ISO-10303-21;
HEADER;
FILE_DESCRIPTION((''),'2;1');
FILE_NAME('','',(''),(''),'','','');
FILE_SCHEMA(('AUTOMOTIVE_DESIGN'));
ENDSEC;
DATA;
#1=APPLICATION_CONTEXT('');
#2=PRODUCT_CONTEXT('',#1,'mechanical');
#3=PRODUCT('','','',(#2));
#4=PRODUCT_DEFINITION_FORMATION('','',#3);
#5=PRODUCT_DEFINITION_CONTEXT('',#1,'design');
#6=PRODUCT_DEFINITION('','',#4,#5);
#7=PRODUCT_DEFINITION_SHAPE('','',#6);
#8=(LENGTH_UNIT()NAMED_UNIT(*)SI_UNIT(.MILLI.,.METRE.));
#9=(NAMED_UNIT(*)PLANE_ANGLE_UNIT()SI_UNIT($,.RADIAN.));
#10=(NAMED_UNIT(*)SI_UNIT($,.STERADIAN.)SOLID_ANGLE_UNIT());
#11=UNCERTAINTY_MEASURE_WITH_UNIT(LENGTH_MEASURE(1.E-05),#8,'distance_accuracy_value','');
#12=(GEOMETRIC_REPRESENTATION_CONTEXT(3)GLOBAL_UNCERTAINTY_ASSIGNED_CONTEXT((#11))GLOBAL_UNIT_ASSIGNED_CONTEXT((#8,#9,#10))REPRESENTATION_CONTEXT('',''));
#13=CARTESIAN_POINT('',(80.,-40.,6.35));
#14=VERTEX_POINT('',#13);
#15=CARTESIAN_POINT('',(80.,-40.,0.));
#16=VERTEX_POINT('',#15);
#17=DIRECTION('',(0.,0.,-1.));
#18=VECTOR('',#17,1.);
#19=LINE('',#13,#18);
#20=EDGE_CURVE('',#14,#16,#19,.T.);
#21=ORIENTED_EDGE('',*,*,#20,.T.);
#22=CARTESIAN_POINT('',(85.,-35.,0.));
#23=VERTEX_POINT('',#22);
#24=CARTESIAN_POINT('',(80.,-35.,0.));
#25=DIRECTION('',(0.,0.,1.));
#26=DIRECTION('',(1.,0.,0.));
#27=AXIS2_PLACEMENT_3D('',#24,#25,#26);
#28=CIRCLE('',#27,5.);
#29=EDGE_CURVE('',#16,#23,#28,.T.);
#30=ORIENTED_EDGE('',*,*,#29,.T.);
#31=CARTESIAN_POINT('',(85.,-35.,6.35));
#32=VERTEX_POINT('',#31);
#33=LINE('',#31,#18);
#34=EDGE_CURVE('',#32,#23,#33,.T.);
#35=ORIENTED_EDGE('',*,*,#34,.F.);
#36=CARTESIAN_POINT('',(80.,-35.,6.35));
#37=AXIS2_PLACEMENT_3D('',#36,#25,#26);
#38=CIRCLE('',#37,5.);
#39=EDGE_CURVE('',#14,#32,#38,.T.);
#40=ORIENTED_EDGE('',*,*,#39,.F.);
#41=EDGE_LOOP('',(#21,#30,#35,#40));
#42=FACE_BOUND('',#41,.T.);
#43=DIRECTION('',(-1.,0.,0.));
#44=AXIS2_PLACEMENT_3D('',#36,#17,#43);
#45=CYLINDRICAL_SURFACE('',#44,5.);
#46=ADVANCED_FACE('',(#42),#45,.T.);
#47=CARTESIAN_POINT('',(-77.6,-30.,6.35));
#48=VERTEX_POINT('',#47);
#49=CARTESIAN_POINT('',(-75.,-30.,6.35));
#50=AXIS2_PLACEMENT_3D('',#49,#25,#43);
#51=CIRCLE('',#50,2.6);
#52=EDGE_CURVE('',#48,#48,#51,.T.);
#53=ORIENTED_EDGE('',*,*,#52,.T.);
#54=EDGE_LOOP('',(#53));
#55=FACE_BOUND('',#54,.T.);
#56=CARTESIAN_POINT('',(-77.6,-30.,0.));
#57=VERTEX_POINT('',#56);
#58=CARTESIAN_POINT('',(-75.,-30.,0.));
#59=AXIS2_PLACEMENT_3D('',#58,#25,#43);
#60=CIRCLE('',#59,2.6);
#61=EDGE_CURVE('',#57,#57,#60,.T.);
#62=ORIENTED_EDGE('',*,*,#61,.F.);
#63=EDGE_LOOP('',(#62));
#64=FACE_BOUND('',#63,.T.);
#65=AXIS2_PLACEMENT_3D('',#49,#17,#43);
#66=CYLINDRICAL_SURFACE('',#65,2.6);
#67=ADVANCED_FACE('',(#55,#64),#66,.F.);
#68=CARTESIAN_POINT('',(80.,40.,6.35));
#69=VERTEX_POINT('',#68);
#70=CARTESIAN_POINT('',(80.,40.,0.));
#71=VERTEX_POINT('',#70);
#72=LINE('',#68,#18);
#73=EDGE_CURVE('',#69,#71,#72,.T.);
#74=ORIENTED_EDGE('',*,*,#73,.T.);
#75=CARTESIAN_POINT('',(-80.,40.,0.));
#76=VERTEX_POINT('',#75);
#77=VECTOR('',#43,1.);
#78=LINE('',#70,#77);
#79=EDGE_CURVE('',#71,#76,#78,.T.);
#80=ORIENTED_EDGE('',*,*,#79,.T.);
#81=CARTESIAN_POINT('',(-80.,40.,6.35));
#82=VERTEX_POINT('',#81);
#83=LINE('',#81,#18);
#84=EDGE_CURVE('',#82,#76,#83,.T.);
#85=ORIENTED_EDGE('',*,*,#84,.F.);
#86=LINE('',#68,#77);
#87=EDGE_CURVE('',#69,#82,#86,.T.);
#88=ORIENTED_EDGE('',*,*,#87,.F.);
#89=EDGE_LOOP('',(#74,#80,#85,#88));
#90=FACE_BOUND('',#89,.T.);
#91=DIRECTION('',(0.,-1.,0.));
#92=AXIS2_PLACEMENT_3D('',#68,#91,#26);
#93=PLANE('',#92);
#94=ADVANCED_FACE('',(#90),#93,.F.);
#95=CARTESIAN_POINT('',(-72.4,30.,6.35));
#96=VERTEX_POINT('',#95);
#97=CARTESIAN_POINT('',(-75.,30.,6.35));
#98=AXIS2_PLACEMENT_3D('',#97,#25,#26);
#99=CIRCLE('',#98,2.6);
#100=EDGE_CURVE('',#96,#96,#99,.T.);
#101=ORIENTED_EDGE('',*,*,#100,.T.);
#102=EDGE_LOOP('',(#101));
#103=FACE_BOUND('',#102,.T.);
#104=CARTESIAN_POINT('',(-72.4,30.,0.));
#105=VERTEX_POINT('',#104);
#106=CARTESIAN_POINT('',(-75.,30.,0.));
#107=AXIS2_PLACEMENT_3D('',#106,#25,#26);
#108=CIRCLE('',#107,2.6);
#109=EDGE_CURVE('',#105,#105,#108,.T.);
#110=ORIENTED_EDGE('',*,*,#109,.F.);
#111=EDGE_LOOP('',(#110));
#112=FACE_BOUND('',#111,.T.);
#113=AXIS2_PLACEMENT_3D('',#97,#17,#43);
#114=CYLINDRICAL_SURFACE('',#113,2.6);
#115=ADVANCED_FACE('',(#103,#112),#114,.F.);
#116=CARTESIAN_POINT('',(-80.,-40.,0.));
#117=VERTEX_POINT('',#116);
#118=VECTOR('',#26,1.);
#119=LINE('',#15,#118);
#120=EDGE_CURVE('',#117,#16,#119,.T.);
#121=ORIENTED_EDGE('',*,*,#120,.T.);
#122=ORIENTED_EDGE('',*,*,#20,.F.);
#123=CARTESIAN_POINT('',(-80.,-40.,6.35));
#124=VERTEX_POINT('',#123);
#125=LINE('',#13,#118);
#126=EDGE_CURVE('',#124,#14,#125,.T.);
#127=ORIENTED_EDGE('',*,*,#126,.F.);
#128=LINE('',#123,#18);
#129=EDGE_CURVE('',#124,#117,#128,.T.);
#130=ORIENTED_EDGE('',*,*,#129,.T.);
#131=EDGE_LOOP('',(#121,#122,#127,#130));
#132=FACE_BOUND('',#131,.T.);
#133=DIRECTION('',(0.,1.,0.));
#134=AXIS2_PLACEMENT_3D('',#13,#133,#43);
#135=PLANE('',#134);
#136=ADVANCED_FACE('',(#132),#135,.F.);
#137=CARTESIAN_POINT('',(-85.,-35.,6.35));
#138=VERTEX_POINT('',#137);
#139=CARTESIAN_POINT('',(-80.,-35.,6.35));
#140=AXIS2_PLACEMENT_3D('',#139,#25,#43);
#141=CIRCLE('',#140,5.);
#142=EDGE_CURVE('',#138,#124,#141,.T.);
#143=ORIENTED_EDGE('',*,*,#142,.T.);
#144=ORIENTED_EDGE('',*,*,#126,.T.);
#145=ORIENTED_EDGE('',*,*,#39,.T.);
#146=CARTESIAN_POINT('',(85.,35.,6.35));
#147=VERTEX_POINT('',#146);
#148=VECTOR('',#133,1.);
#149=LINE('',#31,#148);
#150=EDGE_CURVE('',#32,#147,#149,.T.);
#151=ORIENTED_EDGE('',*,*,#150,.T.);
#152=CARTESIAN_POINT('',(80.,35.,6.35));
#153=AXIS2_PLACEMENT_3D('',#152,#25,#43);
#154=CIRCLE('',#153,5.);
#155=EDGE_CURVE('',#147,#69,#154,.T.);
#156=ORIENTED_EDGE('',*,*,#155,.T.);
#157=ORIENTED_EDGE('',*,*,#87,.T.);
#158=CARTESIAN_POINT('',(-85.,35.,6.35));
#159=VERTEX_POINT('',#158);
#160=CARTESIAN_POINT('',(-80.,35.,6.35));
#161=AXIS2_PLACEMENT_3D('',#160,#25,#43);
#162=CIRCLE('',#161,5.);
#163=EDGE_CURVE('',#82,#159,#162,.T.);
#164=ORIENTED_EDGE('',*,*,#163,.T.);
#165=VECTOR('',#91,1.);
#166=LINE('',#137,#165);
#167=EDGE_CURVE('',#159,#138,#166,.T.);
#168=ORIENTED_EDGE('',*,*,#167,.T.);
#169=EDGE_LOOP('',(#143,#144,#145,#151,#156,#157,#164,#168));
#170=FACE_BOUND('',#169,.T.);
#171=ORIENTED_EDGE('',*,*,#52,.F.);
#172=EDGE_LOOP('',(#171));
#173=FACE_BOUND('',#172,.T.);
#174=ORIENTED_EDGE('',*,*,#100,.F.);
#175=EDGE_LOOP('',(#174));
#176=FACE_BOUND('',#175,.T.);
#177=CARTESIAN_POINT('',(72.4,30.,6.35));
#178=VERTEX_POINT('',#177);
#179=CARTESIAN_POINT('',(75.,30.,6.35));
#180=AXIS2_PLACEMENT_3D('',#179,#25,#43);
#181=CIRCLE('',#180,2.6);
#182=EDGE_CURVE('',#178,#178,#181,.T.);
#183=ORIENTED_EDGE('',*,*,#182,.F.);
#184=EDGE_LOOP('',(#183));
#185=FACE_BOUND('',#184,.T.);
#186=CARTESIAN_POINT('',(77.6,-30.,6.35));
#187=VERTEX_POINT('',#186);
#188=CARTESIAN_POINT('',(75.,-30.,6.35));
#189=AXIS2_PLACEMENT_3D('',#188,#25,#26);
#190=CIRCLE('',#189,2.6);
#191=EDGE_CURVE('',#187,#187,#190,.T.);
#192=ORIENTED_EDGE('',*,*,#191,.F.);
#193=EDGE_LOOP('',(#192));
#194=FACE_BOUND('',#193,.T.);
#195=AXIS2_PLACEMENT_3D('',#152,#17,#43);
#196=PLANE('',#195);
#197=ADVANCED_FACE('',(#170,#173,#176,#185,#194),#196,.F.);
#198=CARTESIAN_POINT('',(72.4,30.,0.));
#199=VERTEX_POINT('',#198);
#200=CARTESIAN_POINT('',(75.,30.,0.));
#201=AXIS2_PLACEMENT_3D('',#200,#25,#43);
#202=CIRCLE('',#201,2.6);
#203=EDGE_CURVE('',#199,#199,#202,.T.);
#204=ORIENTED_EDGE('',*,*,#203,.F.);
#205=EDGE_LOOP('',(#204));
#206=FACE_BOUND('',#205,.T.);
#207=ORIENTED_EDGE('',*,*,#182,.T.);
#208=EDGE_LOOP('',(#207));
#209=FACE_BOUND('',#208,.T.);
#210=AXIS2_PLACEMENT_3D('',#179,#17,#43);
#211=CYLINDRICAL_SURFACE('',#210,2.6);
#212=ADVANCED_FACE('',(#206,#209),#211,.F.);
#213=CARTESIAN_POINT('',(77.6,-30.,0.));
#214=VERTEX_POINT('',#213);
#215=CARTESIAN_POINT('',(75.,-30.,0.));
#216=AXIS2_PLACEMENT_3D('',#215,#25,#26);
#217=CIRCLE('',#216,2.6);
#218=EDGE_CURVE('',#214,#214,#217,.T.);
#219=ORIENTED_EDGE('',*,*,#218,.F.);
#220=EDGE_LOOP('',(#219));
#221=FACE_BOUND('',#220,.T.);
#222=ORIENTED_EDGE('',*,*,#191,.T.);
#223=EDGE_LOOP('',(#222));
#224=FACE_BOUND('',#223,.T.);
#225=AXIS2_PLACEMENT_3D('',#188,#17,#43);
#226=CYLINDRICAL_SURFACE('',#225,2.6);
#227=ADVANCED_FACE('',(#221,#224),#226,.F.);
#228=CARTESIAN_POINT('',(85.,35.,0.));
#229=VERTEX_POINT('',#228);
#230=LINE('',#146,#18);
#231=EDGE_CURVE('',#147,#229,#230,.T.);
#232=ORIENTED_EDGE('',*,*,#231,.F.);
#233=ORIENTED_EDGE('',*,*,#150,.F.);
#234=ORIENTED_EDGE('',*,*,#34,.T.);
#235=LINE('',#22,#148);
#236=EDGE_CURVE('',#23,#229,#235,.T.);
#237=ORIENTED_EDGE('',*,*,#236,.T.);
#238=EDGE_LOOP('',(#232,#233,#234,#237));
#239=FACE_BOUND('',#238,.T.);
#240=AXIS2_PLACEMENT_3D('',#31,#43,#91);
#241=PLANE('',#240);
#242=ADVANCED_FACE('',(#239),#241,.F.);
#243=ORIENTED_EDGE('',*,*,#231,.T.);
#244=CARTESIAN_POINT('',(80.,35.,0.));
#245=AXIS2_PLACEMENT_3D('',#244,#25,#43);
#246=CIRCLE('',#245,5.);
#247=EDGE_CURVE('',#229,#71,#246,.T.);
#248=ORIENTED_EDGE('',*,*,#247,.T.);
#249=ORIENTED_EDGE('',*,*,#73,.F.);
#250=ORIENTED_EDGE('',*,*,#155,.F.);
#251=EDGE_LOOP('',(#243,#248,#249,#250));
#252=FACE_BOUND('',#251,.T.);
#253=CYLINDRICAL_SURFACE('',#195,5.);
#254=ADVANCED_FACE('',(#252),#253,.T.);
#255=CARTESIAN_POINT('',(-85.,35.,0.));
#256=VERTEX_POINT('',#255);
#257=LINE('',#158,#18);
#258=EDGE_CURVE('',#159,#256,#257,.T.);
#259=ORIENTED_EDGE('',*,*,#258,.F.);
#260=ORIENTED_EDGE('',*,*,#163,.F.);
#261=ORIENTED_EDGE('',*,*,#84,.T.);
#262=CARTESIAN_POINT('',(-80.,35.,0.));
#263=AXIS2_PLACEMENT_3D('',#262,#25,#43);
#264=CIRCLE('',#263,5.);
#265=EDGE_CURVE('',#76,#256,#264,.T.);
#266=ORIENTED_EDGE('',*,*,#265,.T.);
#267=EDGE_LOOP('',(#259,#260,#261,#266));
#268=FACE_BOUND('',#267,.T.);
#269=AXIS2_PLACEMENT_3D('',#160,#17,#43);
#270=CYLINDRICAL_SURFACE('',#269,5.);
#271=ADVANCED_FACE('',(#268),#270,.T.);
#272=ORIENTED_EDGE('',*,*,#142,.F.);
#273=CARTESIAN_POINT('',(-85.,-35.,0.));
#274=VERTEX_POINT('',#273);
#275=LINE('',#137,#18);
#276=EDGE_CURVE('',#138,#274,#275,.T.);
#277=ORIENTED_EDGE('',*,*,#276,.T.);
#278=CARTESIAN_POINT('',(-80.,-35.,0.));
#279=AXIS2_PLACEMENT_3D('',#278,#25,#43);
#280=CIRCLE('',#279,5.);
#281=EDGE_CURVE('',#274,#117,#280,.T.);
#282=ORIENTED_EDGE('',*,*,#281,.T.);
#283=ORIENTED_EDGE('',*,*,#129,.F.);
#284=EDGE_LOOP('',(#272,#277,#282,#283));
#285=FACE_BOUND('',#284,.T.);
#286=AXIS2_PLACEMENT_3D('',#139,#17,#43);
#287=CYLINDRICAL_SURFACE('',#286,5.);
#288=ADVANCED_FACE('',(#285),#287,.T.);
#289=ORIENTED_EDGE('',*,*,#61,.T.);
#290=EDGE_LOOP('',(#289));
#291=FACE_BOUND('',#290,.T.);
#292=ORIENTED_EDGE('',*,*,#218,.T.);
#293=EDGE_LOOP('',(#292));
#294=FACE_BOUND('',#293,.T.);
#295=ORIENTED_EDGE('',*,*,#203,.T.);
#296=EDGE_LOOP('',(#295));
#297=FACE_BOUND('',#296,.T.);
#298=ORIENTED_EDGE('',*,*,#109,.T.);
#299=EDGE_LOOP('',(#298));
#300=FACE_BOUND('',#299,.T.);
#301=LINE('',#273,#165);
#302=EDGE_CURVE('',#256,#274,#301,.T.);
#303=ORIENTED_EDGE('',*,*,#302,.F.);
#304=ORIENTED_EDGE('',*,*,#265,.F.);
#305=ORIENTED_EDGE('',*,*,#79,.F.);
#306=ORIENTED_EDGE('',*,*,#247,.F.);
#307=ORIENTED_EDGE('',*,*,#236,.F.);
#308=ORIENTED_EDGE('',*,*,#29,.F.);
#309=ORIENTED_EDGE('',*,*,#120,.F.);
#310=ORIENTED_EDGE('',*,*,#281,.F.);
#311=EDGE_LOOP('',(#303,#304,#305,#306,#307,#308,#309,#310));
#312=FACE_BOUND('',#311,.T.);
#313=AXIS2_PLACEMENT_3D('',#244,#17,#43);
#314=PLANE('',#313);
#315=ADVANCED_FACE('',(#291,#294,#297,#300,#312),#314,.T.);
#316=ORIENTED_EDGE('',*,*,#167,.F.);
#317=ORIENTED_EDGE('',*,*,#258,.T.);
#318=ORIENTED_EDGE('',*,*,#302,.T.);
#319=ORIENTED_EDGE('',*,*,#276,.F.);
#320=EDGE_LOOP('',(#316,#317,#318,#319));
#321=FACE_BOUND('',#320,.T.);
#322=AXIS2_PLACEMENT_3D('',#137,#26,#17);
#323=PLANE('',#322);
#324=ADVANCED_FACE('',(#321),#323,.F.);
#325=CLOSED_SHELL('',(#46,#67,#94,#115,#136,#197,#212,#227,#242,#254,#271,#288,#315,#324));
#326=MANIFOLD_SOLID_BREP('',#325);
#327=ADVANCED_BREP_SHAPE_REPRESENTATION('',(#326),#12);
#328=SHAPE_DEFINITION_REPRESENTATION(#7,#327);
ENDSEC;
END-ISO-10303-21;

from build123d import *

# Parameters (mm, degrees)
SKETCH1_R           = 2.6
BOSS_EXTRUDE1_DEPTH = 6.35


with BuildPart() as part:
    # Sketch1 → Boss-Extrude1 (new body)
    with BuildSketch(Plane.XY):
        with BuildLine():
            Line((80, -40), (-80, -40))
            ThreePointArc((-80, -40), (-83.535533906, -38.535533906), (-85, -35))
            Line((-85, -35), (-85, 35))
            ThreePointArc((-85, 35), (-83.535533906, 38.535533906), (-80, 40))
            Line((-80, 40), (80, 40))
            ThreePointArc((80, 40), (83.535533906, 38.535533906), (85, 35))
            Line((85, 35), (85, -35))
            ThreePointArc((85, -35), (83.535533906, -38.535533906), (80, -40))
        make_face()
        with Locations((-75, 30)):
            Circle(SKETCH1_R, mode=Mode.SUBTRACT)
        with Locations((75, 30)):
            Circle(SKETCH1_R, mode=Mode.SUBTRACT)
        with Locations((75, -30)):
            Circle(SKETCH1_R, mode=Mode.SUBTRACT)
        with Locations((-75, -30)):
            Circle(SKETCH1_R, mode=Mode.SUBTRACT)
    extrude(amount=BOSS_EXTRUDE1_DEPTH)


solid = part.part
